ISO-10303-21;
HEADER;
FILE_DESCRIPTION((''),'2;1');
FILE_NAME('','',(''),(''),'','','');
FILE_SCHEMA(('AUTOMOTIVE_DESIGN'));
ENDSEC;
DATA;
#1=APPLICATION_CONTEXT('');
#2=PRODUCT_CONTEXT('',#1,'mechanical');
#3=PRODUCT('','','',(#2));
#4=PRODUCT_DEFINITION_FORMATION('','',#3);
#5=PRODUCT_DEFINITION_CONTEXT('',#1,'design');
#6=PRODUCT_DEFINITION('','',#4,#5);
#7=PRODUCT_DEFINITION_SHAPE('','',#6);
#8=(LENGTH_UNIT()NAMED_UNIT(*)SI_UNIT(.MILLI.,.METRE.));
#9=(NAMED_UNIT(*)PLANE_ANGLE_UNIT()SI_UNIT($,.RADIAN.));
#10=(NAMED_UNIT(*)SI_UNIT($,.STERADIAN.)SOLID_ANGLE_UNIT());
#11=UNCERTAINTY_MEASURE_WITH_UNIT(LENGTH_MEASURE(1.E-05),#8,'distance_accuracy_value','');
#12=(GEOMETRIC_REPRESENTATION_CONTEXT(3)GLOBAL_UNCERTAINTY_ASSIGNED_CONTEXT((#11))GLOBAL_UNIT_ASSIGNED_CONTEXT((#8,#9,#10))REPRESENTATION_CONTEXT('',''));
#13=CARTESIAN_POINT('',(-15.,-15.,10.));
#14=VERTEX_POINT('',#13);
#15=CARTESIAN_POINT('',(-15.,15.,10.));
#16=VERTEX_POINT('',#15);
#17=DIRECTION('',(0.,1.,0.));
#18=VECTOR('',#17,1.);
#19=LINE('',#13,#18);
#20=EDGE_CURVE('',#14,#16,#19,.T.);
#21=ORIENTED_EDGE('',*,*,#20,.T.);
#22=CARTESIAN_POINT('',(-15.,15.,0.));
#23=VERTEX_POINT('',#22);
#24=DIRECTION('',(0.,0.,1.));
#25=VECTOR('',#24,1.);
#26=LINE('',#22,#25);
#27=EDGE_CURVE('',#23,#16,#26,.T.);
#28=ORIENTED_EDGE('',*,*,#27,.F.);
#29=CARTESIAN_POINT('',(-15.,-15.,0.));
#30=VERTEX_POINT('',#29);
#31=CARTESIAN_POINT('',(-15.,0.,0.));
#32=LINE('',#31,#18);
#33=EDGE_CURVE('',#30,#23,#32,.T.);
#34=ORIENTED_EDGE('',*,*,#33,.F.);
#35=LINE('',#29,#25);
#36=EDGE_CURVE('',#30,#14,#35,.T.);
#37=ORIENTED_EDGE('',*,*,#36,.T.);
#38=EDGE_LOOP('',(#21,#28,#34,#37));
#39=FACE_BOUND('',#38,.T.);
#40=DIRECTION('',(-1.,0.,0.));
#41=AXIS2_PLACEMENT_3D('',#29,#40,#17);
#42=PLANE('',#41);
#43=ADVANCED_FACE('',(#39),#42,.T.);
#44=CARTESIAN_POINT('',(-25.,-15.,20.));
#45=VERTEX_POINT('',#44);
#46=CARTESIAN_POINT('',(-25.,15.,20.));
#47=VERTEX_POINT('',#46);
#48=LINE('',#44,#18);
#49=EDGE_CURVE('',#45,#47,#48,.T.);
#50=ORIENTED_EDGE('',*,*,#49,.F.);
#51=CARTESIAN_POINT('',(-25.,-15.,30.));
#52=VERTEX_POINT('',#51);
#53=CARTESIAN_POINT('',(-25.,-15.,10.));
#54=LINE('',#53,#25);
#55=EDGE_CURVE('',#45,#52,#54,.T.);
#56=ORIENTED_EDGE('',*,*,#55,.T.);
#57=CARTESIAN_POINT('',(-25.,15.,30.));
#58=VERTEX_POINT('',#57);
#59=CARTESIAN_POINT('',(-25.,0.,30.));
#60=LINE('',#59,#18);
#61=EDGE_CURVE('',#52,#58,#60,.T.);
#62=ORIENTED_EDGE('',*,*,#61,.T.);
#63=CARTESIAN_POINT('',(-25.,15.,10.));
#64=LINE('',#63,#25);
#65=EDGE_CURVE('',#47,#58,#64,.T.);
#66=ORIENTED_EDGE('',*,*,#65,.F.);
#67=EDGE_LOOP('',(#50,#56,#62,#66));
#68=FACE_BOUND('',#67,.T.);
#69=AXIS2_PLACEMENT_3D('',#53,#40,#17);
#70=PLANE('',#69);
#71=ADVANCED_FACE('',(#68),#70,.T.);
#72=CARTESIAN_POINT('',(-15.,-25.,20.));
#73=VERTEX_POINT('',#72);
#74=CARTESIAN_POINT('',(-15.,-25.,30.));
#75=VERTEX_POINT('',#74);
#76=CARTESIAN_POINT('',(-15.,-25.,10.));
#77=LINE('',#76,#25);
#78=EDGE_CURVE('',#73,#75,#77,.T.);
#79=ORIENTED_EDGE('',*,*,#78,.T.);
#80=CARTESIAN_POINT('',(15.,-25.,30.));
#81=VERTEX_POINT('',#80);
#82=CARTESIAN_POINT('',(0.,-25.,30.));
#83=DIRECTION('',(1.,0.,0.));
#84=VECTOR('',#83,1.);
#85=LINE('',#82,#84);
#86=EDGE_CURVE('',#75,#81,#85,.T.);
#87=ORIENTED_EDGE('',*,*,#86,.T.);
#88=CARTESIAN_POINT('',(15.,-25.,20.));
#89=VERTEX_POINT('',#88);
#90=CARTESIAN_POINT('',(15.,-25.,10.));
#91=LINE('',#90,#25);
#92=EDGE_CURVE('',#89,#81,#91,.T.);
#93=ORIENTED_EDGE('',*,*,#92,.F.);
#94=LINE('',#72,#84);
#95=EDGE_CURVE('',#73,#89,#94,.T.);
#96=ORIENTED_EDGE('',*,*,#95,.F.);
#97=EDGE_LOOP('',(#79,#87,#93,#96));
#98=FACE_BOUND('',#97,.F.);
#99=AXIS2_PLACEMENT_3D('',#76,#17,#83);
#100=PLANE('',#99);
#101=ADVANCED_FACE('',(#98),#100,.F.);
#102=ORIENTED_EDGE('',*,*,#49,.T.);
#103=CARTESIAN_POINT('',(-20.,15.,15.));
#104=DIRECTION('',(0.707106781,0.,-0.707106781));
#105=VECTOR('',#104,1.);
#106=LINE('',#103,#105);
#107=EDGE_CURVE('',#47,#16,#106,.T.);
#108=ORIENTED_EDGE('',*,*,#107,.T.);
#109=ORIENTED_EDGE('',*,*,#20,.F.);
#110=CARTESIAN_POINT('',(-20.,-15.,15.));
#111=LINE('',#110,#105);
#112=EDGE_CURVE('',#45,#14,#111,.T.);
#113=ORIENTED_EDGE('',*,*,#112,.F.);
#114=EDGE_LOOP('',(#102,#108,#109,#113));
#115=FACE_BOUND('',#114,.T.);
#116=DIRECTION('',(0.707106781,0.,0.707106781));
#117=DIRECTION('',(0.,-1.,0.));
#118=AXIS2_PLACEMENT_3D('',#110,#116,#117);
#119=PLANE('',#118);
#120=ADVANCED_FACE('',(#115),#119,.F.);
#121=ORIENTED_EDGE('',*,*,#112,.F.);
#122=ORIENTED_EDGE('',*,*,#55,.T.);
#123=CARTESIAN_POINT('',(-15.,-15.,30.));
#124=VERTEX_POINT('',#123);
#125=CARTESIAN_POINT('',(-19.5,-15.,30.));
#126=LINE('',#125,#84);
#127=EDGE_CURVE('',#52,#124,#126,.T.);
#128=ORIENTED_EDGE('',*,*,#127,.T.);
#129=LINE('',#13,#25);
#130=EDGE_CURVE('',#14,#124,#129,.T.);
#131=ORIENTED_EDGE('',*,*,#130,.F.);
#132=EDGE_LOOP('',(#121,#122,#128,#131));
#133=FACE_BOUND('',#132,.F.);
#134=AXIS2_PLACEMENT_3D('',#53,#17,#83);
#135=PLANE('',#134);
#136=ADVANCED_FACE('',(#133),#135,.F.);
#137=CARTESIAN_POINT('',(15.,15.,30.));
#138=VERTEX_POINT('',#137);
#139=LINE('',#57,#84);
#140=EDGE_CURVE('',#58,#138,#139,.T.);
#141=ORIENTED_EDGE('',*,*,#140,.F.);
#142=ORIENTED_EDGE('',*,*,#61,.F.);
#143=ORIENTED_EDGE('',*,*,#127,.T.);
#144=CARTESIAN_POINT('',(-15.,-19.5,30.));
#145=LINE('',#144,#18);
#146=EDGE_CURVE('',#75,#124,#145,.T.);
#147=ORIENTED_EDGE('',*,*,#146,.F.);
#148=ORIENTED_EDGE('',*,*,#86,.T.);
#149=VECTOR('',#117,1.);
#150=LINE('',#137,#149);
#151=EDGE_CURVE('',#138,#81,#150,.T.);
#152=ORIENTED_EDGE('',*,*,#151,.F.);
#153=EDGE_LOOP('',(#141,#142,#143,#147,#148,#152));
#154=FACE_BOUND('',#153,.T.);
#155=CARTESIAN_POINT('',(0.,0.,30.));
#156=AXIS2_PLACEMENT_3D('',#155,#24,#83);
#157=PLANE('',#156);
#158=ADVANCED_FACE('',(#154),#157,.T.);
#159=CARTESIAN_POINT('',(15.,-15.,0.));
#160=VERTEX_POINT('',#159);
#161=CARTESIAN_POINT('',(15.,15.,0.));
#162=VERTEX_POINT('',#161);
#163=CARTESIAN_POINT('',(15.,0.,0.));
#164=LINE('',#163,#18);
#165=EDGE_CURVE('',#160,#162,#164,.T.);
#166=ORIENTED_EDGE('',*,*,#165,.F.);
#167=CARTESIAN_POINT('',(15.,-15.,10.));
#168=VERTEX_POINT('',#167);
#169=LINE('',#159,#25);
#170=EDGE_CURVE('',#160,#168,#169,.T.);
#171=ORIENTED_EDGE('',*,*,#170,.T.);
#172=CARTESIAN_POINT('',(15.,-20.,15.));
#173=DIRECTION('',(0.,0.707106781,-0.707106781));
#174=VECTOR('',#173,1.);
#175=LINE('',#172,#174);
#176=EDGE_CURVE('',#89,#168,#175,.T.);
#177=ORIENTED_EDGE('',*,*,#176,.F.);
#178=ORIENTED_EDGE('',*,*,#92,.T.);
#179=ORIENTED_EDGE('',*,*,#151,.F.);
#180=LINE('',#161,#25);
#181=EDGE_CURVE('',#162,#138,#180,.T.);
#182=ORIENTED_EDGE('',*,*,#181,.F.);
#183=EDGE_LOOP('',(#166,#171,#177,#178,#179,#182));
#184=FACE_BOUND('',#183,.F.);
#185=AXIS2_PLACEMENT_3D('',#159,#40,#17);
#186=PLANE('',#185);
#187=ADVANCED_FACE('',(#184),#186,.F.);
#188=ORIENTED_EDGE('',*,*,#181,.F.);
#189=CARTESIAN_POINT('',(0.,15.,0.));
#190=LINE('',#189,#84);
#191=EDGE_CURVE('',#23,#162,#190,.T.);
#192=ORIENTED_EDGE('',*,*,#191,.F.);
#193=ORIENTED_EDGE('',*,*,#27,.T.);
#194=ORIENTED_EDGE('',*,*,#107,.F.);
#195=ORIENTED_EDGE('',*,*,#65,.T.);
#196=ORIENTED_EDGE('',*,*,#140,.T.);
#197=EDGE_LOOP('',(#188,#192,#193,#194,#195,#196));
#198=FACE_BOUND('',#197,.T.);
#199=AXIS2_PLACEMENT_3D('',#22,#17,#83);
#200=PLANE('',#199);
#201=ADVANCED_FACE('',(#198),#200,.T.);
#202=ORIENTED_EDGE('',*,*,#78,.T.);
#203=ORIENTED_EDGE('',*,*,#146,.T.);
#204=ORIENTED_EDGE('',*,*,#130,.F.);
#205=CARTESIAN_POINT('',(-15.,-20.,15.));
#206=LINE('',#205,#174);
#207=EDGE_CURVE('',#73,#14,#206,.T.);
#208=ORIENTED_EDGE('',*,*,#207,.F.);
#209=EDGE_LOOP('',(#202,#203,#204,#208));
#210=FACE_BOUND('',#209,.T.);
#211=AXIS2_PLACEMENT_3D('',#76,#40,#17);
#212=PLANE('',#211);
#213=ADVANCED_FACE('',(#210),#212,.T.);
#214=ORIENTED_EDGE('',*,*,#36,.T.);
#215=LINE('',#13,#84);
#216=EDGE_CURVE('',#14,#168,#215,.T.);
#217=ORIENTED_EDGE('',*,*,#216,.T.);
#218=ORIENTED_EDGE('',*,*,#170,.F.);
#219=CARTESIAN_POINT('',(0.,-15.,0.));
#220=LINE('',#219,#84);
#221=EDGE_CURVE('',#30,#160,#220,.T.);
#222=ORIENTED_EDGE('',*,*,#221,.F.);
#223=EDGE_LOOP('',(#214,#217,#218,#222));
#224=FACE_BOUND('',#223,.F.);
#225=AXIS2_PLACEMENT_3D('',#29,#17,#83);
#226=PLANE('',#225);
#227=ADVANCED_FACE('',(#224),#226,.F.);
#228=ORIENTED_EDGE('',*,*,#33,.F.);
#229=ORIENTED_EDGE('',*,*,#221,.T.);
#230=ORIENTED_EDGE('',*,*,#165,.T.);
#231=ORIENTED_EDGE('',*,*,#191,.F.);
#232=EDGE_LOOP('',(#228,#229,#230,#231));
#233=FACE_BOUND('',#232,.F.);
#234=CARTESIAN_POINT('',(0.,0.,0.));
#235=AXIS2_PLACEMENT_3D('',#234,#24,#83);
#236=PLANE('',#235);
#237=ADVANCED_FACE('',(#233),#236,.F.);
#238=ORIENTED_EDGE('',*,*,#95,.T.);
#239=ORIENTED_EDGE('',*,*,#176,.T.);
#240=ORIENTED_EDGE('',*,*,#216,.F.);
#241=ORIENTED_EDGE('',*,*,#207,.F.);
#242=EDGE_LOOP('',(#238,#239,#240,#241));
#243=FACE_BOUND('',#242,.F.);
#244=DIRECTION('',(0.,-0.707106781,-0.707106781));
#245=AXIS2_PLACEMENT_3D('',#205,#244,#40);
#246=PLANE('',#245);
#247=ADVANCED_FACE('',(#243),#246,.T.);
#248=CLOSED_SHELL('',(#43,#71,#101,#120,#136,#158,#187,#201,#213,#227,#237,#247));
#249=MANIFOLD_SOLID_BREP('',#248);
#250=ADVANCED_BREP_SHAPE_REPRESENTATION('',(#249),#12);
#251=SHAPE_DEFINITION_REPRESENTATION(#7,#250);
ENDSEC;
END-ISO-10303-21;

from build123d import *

# Parameters (mm, degrees)
BOX002_W        = 30
BOX002_H        = 11
BOX002_DEPTH    = 20
CHAMFER_SIZE    = 10
BOX_W           = 30
BOX_H           = 30
BOX_DEPTH       = 30
BOX001_W        = 11
BOX001_H        = 30
BOX001_DEPTH    = 20
CHAMFER001_SIZE = 10


with BuildPart() as chamfer_body:
    # Box002 → Box002 (new body)
    with BuildSketch(Plane(origin=(-15, -25, 10), x_dir=(1, 0, 0), z_dir=(0, 0, 1))):
        with Locations((15, 5.5)):
            Rectangle(BOX002_W, BOX002_H)
    extrude(amount=BOX002_DEPTH)

    # Chamfer
    chamfer_edges = [chamfer_body.edges().sort_by_distance(p)[0] for p in [
        (0, -25, 10),
    ]]
    chamfer(chamfer_edges, length=CHAMFER_SIZE)


with BuildPart() as cube:
    # Box → Box (new body)
    with BuildSketch(Plane(origin=(-15, -15, 0), x_dir=(1, 0, 0), z_dir=(0, 0, 1))):
        with Locations((15, 15)):
            Rectangle(BOX_W, BOX_H)
    extrude(amount=BOX_DEPTH)


with BuildPart() as fusion:
    # Box001 → Box001 (new body)
    with BuildSketch(Plane(origin=(-25, -15, 10), x_dir=(1, 0, 0), z_dir=(0, 0, 1))):
        with Locations((5.5, 15)):
            Rectangle(BOX001_W, BOX001_H)
    extrude(amount=BOX001_DEPTH)

    # Chamfer001
    chamfer001_edges = [fusion.edges().sort_by_distance(p)[0] for p in [
        (-25, 0, 10),
    ]]
    chamfer(chamfer001_edges, length=CHAMFER001_SIZE)

    # Fusion: union Chamfer body, Cube
    add(chamfer_body.part)
    add(cube.part)


solid = fusion.part
